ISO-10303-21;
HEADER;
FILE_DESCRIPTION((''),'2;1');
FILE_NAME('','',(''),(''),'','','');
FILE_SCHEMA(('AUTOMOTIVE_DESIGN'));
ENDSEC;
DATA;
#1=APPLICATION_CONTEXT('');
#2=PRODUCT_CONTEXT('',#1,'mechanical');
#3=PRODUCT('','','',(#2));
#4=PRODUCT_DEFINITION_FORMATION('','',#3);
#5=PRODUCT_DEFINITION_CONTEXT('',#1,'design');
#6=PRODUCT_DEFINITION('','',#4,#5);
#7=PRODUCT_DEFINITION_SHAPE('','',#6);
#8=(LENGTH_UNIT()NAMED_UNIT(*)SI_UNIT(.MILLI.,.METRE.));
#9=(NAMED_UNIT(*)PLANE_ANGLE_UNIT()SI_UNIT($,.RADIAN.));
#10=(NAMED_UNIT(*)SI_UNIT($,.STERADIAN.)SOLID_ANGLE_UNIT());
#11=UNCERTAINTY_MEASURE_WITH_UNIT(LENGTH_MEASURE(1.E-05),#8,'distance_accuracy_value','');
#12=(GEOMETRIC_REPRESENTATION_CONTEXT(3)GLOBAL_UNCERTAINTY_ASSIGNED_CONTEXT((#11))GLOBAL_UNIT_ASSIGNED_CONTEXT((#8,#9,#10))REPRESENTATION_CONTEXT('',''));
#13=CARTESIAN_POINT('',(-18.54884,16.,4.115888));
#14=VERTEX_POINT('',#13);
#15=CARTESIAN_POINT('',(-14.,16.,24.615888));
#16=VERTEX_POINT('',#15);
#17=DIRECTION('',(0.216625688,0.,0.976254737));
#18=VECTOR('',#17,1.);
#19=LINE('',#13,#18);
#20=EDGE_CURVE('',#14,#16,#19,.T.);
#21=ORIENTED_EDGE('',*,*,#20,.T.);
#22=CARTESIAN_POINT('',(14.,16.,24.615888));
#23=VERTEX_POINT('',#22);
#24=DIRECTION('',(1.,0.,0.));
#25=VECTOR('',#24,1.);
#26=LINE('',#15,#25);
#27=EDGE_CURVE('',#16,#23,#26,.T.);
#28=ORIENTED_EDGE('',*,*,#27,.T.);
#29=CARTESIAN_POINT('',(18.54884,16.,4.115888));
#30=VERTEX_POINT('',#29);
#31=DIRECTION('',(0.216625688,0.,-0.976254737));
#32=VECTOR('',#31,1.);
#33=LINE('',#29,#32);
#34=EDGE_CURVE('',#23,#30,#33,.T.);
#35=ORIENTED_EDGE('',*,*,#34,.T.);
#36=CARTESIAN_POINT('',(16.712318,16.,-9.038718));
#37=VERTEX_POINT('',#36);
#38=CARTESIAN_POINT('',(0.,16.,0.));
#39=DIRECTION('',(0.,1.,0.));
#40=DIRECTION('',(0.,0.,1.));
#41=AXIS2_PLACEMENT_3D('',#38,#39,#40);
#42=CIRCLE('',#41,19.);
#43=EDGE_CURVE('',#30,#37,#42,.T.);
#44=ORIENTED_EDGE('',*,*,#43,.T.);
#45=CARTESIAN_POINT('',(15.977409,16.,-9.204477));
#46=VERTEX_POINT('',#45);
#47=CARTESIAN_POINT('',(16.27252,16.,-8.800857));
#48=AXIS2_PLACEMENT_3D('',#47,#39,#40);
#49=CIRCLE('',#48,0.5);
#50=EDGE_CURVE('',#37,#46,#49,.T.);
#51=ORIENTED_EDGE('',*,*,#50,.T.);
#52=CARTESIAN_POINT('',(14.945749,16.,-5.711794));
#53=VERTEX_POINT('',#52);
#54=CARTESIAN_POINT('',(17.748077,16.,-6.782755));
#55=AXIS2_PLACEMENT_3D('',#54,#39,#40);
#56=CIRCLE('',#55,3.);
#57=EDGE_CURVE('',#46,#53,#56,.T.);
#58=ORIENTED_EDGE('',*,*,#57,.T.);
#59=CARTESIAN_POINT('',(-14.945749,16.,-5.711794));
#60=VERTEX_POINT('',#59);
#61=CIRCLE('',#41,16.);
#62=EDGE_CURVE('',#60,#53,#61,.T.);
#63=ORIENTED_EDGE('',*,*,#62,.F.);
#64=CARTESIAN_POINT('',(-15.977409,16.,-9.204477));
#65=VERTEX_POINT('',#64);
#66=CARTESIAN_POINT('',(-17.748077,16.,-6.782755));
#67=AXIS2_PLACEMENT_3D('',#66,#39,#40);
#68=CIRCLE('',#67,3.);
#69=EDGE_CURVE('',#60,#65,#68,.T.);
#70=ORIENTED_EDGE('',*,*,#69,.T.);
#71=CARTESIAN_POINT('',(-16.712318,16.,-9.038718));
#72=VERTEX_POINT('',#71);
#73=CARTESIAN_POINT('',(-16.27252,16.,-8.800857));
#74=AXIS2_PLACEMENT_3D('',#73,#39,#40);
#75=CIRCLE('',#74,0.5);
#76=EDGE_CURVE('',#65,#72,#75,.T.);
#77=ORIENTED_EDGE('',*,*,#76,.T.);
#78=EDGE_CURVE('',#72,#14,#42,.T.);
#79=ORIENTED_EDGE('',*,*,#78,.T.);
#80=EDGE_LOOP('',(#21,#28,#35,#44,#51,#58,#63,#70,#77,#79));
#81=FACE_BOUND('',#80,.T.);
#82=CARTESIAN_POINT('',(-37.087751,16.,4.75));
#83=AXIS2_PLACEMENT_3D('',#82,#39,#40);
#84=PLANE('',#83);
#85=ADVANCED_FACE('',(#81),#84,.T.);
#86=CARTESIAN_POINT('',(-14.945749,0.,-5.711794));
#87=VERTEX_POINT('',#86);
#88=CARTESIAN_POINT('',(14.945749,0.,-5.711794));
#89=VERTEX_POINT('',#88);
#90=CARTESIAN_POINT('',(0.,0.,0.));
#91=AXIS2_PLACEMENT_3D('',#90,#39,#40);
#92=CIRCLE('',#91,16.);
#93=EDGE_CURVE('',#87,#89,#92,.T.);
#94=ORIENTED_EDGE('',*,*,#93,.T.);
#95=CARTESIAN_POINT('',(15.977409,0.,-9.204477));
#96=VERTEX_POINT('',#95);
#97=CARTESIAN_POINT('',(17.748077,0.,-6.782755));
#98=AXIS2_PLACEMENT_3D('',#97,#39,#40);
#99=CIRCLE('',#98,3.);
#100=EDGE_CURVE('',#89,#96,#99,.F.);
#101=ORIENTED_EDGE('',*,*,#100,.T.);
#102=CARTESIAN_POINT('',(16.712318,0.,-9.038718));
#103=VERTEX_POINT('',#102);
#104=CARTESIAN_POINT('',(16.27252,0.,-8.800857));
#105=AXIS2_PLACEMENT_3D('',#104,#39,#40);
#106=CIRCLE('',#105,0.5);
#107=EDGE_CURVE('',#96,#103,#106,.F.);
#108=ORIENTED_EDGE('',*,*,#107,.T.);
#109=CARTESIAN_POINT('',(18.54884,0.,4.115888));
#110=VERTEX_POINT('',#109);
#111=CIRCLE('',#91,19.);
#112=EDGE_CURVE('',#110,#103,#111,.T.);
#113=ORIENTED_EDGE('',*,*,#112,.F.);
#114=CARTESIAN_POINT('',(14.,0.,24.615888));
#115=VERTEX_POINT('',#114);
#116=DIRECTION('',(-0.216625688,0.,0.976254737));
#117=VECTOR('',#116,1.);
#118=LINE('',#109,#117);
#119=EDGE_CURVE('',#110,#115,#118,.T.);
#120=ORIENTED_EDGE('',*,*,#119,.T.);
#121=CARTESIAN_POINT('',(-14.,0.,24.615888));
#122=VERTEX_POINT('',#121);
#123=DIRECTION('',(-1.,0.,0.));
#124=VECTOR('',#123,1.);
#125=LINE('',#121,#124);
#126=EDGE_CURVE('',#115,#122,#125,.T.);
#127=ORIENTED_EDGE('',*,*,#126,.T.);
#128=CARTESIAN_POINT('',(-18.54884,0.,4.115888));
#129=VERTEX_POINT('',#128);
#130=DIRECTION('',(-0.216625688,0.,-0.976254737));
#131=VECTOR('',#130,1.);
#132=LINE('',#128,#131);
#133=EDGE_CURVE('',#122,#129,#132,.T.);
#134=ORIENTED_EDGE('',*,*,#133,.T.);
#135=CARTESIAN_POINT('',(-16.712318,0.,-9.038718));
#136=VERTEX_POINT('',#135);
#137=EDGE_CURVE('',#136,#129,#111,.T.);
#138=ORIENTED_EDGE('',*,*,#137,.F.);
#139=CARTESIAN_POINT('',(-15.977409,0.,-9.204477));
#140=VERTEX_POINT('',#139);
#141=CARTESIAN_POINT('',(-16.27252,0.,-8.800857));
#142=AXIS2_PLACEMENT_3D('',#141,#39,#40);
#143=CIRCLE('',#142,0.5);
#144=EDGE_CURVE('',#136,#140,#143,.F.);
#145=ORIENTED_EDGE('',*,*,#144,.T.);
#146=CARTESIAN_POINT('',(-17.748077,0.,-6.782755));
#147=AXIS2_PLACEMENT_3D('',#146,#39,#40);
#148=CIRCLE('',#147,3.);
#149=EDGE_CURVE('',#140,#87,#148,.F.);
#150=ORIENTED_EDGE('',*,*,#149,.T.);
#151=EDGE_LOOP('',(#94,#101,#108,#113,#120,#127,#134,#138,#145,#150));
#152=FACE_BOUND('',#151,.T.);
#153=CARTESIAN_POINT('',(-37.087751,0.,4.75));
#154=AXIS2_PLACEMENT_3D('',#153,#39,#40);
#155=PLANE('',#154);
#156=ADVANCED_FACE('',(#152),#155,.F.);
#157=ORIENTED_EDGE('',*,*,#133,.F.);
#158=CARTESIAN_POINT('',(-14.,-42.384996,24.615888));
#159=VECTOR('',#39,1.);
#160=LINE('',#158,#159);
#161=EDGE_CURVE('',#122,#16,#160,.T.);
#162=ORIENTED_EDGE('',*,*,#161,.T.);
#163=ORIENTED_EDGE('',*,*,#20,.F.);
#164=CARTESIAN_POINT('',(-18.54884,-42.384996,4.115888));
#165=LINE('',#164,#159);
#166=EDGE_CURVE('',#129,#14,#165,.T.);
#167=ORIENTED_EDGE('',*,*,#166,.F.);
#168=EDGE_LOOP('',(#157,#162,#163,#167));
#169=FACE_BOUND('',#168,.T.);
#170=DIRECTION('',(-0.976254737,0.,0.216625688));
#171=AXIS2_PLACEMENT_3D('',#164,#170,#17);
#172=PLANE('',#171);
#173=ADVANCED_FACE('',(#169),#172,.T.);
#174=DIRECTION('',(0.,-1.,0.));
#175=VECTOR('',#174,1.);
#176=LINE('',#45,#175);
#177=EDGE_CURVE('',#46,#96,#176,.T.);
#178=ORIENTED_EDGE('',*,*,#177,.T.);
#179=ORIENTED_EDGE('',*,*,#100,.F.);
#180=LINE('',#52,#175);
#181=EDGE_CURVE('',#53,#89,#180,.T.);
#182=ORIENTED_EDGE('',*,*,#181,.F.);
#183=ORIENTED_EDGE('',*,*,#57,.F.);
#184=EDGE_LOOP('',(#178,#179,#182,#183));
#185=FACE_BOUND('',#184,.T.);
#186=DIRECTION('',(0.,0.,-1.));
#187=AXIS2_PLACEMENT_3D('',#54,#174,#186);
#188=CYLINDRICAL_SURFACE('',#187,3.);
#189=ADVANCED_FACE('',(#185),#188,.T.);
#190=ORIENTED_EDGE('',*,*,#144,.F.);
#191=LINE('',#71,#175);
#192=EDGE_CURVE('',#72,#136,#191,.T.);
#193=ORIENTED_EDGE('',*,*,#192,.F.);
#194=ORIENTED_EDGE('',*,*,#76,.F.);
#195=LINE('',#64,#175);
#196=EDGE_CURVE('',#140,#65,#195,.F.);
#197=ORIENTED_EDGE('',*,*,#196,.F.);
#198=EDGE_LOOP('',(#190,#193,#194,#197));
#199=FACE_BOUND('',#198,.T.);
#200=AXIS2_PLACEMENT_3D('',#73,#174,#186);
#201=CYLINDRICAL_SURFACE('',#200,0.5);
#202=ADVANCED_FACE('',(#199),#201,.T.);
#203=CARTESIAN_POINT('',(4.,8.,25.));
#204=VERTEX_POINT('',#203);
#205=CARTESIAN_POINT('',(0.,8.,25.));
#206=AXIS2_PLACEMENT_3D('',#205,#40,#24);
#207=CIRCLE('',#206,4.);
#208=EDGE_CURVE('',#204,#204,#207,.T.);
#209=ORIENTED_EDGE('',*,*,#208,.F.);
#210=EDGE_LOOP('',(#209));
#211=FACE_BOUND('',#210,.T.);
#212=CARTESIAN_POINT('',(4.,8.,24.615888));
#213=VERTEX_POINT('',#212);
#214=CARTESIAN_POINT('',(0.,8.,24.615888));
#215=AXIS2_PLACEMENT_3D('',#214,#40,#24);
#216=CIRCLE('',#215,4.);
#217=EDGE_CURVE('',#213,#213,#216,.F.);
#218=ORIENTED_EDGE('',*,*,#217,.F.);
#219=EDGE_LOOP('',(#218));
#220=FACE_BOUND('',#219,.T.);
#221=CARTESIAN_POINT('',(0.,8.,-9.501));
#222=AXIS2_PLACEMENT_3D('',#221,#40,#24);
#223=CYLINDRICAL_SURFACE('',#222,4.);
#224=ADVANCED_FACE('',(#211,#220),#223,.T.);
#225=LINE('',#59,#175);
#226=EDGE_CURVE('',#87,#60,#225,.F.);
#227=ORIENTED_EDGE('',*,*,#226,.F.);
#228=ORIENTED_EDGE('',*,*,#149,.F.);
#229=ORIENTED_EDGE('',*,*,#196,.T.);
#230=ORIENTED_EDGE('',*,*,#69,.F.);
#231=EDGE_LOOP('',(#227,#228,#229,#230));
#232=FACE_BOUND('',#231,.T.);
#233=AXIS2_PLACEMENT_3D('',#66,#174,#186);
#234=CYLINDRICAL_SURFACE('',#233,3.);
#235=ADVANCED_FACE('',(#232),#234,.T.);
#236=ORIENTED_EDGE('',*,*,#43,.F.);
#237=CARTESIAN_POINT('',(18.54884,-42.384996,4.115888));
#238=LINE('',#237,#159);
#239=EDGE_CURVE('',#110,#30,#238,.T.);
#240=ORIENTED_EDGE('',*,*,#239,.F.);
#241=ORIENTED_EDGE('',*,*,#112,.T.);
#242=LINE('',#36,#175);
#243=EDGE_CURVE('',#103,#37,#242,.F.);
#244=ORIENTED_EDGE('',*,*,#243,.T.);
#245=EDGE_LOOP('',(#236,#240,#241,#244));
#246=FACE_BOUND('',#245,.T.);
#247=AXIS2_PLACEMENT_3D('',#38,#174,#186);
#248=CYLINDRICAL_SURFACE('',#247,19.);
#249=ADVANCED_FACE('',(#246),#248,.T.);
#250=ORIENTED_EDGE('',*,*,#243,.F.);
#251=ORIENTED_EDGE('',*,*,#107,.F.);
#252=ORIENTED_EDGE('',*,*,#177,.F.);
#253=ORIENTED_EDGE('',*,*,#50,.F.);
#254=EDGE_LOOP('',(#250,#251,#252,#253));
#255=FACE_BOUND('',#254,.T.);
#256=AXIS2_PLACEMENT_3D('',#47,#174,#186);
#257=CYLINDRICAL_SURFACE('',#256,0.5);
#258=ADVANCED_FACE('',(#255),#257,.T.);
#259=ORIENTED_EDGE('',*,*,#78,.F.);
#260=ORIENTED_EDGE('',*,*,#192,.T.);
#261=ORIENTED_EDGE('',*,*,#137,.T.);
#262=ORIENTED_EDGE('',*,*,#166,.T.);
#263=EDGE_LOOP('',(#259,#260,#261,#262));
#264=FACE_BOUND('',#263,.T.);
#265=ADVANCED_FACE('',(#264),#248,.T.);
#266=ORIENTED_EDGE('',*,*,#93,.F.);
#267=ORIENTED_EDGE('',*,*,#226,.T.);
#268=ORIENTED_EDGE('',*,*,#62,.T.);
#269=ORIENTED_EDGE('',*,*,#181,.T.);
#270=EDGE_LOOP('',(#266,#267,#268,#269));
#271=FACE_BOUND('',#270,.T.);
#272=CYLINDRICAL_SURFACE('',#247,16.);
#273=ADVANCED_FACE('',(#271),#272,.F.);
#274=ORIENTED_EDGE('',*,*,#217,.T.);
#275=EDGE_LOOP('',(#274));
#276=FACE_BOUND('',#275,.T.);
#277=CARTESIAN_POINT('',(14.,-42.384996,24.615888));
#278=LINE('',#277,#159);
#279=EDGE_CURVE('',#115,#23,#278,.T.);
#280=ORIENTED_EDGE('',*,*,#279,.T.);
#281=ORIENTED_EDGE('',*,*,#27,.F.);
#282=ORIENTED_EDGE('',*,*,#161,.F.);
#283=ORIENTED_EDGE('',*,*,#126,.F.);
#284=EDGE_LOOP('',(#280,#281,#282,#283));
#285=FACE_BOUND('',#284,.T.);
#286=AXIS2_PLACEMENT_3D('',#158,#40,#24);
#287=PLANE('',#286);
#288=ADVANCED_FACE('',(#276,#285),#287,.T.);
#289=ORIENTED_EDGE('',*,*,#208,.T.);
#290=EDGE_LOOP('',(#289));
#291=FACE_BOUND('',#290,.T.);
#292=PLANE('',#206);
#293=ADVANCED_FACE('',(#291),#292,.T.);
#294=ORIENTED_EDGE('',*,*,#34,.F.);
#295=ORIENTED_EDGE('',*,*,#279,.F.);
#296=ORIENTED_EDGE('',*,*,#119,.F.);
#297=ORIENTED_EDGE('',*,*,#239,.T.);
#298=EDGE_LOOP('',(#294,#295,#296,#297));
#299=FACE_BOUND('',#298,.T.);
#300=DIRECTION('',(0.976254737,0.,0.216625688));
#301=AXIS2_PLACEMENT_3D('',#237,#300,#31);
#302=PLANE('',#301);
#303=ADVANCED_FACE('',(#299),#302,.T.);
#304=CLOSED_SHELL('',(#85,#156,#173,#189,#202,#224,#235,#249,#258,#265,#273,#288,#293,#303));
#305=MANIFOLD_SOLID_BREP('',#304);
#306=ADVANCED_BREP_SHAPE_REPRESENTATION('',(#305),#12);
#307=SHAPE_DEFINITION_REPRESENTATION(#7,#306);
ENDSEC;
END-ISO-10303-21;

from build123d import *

# Parameters (mm, degrees)
EXTRUIR1_DEPTH      = 16
EXTRUIR2_REACH      = 58.273
EXTRUIR2_END_RADIUS = 19
EXTRUIR2_START      = 25
CROQUIS2_R          = 4
REDONDEO1_R         = 3
REDONDEO2_R         = 0.5
EXTRUIR3_START      = -16
EXTRUIR3_DEPTH      = 16


with BuildPart() as part:
    # Croquis1 → Extruir1 (new body)
    with BuildSketch(Plane(origin=(0, 0, 0), x_dir=(1, 0, 0), z_dir=(0, 1, 0))):
        with BuildLine():
            Line((16.454482672, 9.5), (13.856406461, 8))
            ThreePointArc((13.856406461, 8), (0, -16), (-13.856406461, 8))
            Line((-13.856406461, 8), (-16.454482672, 9.5))
            ThreePointArc((-16.454482672, 9.5), (0, -19), (16.454482672, 9.5))
        make_face()
    extrude(amount=EXTRUIR1_DEPTH)

    # Extruir2: up to this cylinder (the profile starts outside it)
    extruir2_end = Plane(origin=(0, 8, 0), z_dir=(0, -1, 0)) * Cylinder(EXTRUIR2_END_RADIUS, 155.546, mode=Mode.PRIVATE)
    # Croquis2 → Extruir2 (add, up to the surface)
    with BuildSketch(Plane.XY.offset(EXTRUIR2_START), mode=Mode.PRIVATE) as extruir2_sk1:
        with Locations((0, 8)):
            Circle(CROQUIS2_R)
    extruir2_tool1 = extrude(extruir2_sk1.sketch, amount=-EXTRUIR2_REACH, mode=Mode.PRIVATE) - extruir2_end
    add(extruir2_tool1.solids().sort_by_distance((0, 8, 25))[0])

    # Redondeo1
    redondeo1_edges = [part.edges().sort_by_distance(p)[0] for p in [
        (13.856406461, 8, -8),
        (-13.856406461, 8, -8),
    ]]
    fillet(redondeo1_edges, radius=REDONDEO1_R)

    # Redondeo2
    redondeo2_edges = [part.edges().sort_by_distance(p)[0] for p in [
        (16.454482672, 8, -9.5),
        (-16.454482672, 8, -9.5),
    ]]
    fillet(redondeo2_edges, radius=REDONDEO2_R)

    # Croquis3 → Extruir3 (add)
    with BuildSketch(Plane(origin=(0, 16, 0), x_dir=(1, 0, 0), z_dir=(0, 1, 0)).offset(EXTRUIR3_START)):
        with BuildLine():
            Line((-18.548840002, -4.115888068), (-14, -24.615888068))
            Line((-14, -24.615888068), (14, -24.615888068))
            Line((14, -24.615888068), (18.548840002, -4.115888068))
            Line((18.548840002, -4.115888068), (15.461547963, -4.115888068))
            ThreePointArc((15.461547963, -4.115888068), (0, -16), (-15.461547963, -4.115888068))
            Line((-15.461547963, -4.115888068), (-18.548840002, -4.115888068))
        make_face()
    extrude(amount=EXTRUIR3_DEPTH)


solid = part.part
